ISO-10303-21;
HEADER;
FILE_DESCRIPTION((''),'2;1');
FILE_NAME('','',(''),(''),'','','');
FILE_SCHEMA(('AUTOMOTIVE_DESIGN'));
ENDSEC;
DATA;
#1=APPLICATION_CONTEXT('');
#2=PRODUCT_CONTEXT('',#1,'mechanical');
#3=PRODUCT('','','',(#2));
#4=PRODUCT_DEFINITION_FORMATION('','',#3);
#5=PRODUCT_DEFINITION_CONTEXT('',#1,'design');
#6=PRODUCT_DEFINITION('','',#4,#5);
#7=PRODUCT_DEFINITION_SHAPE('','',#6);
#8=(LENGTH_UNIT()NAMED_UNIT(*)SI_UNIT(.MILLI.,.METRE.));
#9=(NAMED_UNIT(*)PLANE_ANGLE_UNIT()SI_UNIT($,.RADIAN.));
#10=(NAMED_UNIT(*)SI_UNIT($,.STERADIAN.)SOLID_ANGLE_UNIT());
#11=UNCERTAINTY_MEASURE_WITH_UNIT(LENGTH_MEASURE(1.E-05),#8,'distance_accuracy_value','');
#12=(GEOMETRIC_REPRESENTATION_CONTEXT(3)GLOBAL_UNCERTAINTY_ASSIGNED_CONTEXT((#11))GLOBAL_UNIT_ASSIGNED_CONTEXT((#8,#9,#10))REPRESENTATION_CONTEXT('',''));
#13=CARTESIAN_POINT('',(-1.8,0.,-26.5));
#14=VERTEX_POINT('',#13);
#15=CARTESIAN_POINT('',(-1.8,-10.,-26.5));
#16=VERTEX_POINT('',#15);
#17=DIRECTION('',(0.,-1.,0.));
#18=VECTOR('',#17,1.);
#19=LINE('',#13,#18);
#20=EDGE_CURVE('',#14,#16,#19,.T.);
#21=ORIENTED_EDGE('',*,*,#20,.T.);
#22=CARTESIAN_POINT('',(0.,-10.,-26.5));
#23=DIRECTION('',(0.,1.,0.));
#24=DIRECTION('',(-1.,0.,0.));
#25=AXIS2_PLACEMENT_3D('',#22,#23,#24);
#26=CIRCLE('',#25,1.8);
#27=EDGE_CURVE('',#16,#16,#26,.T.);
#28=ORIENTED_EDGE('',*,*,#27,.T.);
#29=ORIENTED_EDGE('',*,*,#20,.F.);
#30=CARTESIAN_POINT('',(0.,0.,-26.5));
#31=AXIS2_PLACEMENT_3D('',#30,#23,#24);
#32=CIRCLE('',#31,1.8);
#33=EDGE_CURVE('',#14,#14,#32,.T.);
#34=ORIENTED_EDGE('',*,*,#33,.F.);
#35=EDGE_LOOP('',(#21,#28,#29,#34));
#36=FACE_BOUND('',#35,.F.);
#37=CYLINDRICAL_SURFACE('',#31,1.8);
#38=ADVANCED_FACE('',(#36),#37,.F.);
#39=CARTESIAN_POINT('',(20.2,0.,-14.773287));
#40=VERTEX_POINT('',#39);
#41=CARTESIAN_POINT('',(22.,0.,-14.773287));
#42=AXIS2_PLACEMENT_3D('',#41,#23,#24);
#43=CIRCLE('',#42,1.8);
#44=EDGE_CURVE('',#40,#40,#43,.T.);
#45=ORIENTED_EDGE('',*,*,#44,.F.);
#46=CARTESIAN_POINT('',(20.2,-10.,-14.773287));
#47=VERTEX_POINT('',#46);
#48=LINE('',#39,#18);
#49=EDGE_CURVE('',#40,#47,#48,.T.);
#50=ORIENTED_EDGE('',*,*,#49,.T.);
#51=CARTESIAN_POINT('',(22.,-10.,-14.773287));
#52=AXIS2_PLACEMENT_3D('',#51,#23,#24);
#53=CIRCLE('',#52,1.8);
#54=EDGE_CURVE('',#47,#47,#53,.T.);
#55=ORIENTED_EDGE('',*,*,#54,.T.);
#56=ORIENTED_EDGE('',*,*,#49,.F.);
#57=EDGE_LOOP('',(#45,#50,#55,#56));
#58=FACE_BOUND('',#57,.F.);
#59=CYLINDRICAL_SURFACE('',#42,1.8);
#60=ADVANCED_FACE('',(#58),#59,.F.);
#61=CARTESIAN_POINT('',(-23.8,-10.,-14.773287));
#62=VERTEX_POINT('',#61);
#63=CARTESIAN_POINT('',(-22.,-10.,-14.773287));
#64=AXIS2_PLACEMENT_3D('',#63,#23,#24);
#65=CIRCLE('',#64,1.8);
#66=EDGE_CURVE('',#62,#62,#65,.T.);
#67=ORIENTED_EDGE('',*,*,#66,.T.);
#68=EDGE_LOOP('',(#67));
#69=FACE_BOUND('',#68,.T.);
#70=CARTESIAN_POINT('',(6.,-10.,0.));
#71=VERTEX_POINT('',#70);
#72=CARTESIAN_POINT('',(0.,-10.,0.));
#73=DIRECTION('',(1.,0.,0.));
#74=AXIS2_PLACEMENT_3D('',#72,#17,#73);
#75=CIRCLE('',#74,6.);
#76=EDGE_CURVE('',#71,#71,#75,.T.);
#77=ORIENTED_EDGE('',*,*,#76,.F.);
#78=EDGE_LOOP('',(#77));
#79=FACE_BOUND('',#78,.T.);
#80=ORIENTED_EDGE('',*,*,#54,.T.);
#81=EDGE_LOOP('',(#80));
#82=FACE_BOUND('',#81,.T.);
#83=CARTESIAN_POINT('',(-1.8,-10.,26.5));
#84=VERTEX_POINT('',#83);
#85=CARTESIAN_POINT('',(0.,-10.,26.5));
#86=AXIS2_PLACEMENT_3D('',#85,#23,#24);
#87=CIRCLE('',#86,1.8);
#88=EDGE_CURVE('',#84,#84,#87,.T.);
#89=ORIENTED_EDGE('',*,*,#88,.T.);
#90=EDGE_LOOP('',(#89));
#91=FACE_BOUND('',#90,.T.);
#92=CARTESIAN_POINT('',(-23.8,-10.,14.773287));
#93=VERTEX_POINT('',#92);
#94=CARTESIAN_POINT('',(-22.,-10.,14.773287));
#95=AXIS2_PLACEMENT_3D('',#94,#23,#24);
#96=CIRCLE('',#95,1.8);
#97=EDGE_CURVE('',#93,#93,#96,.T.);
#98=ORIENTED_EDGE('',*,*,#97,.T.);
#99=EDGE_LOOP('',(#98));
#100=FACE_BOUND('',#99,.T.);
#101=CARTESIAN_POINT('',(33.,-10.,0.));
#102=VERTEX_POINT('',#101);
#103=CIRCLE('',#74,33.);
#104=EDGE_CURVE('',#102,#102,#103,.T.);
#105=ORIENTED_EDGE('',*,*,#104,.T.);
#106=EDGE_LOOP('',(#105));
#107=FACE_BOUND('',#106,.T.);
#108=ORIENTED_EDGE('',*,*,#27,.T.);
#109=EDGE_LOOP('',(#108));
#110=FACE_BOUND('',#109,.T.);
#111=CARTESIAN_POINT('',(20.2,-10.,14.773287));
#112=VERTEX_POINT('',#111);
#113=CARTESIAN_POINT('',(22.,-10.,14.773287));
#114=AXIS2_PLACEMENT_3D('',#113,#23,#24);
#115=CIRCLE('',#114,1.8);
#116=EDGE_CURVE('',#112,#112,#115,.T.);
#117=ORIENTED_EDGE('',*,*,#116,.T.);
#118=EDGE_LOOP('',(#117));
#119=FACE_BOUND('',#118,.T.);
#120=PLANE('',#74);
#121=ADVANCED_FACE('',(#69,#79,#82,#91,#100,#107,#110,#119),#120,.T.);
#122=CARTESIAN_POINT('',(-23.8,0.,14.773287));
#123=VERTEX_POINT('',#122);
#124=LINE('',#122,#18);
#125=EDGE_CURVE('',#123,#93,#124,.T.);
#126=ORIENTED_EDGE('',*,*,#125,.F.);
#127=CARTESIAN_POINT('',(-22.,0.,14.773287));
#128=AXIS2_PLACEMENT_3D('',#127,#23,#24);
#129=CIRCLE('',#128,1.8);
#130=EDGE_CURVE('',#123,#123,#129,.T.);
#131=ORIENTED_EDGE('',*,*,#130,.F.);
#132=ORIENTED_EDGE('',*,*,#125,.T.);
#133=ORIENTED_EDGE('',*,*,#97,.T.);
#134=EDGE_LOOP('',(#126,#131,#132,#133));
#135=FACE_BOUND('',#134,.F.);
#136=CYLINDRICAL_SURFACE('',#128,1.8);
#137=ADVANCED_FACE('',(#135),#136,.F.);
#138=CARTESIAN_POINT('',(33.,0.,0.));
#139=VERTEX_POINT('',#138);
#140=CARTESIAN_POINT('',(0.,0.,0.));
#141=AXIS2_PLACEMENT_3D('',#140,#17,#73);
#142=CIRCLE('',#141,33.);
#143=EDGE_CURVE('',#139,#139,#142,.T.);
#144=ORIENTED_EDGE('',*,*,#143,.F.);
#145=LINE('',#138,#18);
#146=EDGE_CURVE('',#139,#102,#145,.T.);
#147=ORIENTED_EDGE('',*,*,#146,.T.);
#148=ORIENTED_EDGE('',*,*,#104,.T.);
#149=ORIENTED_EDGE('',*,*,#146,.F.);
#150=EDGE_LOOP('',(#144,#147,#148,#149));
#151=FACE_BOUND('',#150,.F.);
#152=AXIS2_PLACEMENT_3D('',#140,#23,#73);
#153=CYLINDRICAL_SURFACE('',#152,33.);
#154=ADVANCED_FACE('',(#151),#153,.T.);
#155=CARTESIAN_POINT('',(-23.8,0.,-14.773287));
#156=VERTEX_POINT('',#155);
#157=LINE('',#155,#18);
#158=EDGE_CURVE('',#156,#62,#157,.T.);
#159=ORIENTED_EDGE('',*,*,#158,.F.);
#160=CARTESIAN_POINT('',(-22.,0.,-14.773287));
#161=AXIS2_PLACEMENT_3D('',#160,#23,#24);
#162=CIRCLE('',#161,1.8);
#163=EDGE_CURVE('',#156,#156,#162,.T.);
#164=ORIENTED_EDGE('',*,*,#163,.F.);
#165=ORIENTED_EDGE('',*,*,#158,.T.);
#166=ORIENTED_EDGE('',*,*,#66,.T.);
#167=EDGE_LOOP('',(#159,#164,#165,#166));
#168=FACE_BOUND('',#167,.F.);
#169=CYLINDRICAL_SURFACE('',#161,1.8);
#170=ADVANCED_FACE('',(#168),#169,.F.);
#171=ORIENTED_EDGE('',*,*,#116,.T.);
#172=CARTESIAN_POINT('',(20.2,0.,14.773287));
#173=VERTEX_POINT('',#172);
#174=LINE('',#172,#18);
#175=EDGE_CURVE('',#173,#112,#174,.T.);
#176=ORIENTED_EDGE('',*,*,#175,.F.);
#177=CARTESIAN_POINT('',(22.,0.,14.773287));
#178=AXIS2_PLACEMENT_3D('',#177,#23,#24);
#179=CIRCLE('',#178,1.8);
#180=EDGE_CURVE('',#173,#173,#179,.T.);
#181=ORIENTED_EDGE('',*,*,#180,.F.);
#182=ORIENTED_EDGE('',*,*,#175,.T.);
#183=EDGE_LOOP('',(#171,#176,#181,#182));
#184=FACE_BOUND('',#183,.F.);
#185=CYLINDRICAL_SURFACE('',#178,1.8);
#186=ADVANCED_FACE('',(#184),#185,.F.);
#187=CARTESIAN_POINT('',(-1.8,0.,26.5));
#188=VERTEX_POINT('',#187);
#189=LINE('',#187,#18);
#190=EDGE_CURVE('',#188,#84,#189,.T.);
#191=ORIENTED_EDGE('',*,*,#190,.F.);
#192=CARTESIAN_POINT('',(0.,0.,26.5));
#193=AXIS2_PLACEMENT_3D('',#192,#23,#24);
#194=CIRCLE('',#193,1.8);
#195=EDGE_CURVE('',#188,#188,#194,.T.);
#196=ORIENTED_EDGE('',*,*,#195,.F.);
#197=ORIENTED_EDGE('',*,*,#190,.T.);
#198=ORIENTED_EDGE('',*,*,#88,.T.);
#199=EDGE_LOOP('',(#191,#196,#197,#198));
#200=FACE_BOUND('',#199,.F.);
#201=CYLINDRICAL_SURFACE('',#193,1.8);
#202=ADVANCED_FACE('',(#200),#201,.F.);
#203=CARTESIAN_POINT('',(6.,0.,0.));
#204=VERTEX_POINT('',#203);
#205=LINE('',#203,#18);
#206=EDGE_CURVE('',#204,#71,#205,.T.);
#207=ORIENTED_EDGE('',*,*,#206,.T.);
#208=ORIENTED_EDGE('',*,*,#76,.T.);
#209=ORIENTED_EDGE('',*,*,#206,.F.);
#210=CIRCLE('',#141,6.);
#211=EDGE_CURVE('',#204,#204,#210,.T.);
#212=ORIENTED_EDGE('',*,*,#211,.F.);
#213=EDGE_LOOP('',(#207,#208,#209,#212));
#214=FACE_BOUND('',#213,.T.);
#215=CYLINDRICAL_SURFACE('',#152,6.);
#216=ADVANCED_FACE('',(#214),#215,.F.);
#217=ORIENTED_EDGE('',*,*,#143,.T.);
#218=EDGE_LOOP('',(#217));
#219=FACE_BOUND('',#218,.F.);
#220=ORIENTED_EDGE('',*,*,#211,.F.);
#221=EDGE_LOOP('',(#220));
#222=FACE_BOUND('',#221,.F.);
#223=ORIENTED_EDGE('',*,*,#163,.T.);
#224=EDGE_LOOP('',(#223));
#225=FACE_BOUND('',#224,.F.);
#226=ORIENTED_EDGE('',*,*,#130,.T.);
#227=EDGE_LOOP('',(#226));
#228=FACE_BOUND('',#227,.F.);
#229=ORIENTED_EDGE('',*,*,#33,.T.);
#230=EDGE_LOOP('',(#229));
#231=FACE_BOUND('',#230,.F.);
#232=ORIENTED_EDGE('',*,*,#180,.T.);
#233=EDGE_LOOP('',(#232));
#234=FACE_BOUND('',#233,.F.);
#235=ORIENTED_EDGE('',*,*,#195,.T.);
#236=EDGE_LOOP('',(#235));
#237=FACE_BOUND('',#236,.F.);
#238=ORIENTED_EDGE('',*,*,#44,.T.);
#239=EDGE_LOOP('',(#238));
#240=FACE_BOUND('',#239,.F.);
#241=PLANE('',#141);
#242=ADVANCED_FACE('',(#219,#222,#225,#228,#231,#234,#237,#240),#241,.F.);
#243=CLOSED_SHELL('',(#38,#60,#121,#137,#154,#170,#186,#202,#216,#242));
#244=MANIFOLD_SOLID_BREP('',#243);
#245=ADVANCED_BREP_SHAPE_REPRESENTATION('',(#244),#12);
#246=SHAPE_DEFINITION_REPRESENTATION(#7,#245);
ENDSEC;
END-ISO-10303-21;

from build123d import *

# Parameters (mm, degrees)
F0_R     = 33
F0_R_2   = 6
F1_DEPTH = 10
F2_R     = 1.8
F3_DEPTH = 25


with BuildPart() as f1:
    # F0 (on Front) → F1 (new body)
    with BuildSketch(Plane.XZ):
        Circle(F0_R)
        Circle(F0_R_2, mode=Mode.SUBTRACT)
    extrude(amount=F1_DEPTH)

    # F2 (on face) → F3 (cut)
    with BuildSketch(Plane(origin=(0, 0, 0), x_dir=(-1, 0, 0), z_dir=(0, 1, 0))):
        with Locations((0, -26.5)):
            Circle(F2_R)
        with Locations((-22, 14.773287)):
            Circle(F2_R)
        with Locations((22, 14.773287)):
            Circle(F2_R)
        with Locations((22, -14.773287)):
            Circle(F2_R)
        with Locations((-22, -14.773287)):
            Circle(F2_R)
        with Locations((0, 26.5)):
            Circle(F2_R)
    extrude(amount=-F3_DEPTH, mode=Mode.SUBTRACT)


solid = f1.part
